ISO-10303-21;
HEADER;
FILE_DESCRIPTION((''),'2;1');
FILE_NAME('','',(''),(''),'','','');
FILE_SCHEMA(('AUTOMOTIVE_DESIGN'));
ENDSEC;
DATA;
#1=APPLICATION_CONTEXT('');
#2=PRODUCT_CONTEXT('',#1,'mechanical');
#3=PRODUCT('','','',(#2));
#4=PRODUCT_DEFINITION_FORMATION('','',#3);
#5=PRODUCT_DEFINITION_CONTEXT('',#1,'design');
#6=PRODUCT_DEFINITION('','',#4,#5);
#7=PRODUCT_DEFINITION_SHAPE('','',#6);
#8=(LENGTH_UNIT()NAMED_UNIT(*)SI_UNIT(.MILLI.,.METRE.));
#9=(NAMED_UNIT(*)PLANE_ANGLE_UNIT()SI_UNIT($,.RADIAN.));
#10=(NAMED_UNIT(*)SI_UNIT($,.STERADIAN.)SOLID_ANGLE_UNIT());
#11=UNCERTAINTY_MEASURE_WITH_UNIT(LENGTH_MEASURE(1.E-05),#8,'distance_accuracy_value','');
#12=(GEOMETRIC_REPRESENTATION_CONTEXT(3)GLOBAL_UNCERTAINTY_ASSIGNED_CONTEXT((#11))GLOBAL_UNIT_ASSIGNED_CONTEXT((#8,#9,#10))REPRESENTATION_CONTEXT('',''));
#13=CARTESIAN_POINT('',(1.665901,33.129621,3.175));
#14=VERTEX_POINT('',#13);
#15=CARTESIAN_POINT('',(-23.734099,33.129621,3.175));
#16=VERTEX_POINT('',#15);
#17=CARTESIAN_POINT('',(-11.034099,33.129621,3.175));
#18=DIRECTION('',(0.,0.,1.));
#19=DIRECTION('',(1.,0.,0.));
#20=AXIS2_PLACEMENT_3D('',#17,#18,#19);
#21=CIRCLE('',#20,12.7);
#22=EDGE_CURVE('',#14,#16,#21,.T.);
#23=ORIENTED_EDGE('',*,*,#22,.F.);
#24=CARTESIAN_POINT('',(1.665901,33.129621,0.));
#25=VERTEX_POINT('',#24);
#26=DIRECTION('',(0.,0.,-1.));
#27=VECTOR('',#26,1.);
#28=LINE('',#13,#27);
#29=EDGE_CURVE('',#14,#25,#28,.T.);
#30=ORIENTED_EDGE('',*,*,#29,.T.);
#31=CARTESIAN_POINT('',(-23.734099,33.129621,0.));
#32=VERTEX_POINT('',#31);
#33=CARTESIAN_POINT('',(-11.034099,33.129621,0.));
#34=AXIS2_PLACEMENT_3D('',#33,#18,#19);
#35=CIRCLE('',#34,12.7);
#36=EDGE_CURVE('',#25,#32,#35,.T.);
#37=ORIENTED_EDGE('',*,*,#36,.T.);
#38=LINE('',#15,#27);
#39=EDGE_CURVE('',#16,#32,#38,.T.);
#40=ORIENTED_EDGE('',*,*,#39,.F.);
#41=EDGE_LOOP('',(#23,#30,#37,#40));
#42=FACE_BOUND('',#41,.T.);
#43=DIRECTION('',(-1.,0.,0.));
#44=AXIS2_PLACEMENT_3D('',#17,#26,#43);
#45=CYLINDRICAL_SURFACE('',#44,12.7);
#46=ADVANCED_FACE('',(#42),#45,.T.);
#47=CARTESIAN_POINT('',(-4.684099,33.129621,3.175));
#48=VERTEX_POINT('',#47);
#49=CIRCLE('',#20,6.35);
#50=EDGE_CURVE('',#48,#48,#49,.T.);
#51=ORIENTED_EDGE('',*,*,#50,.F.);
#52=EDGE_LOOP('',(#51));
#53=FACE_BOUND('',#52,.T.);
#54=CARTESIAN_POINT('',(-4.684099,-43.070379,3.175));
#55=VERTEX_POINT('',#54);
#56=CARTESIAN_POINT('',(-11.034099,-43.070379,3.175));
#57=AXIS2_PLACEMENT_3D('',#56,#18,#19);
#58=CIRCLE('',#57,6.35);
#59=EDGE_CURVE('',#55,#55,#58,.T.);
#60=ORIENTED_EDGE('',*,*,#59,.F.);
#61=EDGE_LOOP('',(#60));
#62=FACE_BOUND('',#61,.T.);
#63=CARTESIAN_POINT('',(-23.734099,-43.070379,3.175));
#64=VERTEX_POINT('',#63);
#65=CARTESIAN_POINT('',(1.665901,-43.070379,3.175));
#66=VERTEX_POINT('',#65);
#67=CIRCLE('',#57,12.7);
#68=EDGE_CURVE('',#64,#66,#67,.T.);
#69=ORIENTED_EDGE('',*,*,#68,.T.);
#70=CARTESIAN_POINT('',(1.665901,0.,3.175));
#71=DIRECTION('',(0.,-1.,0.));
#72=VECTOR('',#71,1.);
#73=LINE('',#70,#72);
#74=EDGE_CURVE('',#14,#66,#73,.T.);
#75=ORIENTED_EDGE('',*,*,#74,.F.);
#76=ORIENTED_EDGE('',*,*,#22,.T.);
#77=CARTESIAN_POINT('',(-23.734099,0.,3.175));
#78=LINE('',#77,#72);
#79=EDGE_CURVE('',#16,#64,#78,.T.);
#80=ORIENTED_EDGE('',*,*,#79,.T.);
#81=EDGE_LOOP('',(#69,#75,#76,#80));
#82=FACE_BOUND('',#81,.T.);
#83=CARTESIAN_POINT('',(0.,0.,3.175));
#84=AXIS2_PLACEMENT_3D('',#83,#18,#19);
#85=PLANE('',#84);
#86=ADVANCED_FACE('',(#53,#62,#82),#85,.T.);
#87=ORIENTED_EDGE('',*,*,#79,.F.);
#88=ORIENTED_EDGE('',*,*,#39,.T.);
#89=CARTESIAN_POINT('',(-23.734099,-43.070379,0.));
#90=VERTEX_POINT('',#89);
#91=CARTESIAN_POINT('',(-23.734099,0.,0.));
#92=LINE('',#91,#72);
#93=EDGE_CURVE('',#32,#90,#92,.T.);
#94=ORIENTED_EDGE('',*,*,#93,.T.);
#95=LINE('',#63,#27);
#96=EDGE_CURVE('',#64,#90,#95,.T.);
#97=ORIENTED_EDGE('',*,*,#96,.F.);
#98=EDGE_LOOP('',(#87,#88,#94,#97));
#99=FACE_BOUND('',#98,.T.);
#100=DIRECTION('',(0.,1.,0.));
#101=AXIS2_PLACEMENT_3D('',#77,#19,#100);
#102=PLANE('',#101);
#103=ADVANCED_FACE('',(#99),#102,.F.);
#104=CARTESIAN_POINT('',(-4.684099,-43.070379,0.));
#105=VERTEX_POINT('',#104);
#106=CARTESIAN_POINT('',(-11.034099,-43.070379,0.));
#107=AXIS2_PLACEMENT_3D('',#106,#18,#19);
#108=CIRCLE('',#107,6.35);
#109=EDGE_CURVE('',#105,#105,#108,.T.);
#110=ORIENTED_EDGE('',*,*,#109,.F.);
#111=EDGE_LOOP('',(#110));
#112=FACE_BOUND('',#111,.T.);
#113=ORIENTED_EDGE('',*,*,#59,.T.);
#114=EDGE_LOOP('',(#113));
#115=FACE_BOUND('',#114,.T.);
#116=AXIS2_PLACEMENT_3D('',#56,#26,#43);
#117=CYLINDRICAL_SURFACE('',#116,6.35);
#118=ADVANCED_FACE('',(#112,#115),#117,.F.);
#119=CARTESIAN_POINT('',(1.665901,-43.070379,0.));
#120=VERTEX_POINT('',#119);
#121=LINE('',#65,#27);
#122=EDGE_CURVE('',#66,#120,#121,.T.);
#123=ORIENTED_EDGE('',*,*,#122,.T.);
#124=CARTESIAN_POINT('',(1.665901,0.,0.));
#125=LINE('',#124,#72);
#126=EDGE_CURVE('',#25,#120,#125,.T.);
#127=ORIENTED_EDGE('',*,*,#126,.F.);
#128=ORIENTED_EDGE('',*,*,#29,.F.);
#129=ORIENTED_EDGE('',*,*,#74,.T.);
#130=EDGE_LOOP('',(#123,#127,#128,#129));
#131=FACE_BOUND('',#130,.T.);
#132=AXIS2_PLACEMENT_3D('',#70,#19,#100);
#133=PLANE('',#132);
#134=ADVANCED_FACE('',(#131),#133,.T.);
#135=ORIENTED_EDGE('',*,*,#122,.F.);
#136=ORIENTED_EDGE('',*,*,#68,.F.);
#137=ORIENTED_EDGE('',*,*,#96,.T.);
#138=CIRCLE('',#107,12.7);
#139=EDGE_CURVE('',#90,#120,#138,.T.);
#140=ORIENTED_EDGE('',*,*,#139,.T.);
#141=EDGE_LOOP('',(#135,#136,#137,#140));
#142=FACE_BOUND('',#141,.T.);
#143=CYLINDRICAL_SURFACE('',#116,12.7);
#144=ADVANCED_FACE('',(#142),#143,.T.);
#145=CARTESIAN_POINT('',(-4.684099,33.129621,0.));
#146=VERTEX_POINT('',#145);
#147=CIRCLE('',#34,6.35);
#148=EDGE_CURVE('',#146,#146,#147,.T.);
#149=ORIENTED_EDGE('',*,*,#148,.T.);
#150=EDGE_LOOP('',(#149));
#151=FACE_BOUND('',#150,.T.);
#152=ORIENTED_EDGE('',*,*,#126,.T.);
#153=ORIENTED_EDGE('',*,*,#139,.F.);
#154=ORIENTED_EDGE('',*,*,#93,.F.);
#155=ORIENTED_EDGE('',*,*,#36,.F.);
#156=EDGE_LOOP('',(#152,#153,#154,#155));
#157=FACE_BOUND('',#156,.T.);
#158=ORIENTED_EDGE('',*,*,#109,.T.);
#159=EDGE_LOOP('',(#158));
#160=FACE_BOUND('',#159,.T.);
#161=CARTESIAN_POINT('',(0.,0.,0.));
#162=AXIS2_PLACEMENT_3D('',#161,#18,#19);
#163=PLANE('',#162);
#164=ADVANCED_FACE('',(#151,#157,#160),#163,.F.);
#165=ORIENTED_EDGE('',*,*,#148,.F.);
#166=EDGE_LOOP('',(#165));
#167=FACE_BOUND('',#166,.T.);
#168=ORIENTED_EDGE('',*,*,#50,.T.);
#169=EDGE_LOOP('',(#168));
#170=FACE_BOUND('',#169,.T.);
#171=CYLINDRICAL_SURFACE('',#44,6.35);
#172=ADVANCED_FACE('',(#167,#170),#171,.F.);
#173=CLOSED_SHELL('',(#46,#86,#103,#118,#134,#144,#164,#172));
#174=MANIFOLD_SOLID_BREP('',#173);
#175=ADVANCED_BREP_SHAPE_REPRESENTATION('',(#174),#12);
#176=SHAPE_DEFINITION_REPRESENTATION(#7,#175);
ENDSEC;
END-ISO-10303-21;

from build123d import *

# Parameters (mm, degrees)
SKETCH1_R           = 6.35
BOSS_EXTRUDE1_DEPTH = 3.175


with BuildPart() as part:
    # Sketch1 → Boss-Extrude1 (new body)
    with BuildSketch(Plane.XY):
        with BuildLine():
            ThreePointArc((1.665901342, 33.129620882), (-11.034098658, 45.829620882), (-23.734098658, 33.129620882))
            Line((-23.734098658, 33.129620882), (-23.734098658, -43.070379118))
            ThreePointArc((-23.734098658, -43.070379118), (-11.034098658, -55.770379118), (1.665901342, -43.070379118))
            Line((1.665901342, -43.070379118), (1.665901342, 33.129620882))
        make_face()
        with Locations((-11.034098658, 33.129620882)):
            Circle(SKETCH1_R, mode=Mode.SUBTRACT)
        with Locations((-11.034098658, -43.070379118)):
            Circle(SKETCH1_R, mode=Mode.SUBTRACT)
    extrude(amount=BOSS_EXTRUDE1_DEPTH)


solid = part.part
